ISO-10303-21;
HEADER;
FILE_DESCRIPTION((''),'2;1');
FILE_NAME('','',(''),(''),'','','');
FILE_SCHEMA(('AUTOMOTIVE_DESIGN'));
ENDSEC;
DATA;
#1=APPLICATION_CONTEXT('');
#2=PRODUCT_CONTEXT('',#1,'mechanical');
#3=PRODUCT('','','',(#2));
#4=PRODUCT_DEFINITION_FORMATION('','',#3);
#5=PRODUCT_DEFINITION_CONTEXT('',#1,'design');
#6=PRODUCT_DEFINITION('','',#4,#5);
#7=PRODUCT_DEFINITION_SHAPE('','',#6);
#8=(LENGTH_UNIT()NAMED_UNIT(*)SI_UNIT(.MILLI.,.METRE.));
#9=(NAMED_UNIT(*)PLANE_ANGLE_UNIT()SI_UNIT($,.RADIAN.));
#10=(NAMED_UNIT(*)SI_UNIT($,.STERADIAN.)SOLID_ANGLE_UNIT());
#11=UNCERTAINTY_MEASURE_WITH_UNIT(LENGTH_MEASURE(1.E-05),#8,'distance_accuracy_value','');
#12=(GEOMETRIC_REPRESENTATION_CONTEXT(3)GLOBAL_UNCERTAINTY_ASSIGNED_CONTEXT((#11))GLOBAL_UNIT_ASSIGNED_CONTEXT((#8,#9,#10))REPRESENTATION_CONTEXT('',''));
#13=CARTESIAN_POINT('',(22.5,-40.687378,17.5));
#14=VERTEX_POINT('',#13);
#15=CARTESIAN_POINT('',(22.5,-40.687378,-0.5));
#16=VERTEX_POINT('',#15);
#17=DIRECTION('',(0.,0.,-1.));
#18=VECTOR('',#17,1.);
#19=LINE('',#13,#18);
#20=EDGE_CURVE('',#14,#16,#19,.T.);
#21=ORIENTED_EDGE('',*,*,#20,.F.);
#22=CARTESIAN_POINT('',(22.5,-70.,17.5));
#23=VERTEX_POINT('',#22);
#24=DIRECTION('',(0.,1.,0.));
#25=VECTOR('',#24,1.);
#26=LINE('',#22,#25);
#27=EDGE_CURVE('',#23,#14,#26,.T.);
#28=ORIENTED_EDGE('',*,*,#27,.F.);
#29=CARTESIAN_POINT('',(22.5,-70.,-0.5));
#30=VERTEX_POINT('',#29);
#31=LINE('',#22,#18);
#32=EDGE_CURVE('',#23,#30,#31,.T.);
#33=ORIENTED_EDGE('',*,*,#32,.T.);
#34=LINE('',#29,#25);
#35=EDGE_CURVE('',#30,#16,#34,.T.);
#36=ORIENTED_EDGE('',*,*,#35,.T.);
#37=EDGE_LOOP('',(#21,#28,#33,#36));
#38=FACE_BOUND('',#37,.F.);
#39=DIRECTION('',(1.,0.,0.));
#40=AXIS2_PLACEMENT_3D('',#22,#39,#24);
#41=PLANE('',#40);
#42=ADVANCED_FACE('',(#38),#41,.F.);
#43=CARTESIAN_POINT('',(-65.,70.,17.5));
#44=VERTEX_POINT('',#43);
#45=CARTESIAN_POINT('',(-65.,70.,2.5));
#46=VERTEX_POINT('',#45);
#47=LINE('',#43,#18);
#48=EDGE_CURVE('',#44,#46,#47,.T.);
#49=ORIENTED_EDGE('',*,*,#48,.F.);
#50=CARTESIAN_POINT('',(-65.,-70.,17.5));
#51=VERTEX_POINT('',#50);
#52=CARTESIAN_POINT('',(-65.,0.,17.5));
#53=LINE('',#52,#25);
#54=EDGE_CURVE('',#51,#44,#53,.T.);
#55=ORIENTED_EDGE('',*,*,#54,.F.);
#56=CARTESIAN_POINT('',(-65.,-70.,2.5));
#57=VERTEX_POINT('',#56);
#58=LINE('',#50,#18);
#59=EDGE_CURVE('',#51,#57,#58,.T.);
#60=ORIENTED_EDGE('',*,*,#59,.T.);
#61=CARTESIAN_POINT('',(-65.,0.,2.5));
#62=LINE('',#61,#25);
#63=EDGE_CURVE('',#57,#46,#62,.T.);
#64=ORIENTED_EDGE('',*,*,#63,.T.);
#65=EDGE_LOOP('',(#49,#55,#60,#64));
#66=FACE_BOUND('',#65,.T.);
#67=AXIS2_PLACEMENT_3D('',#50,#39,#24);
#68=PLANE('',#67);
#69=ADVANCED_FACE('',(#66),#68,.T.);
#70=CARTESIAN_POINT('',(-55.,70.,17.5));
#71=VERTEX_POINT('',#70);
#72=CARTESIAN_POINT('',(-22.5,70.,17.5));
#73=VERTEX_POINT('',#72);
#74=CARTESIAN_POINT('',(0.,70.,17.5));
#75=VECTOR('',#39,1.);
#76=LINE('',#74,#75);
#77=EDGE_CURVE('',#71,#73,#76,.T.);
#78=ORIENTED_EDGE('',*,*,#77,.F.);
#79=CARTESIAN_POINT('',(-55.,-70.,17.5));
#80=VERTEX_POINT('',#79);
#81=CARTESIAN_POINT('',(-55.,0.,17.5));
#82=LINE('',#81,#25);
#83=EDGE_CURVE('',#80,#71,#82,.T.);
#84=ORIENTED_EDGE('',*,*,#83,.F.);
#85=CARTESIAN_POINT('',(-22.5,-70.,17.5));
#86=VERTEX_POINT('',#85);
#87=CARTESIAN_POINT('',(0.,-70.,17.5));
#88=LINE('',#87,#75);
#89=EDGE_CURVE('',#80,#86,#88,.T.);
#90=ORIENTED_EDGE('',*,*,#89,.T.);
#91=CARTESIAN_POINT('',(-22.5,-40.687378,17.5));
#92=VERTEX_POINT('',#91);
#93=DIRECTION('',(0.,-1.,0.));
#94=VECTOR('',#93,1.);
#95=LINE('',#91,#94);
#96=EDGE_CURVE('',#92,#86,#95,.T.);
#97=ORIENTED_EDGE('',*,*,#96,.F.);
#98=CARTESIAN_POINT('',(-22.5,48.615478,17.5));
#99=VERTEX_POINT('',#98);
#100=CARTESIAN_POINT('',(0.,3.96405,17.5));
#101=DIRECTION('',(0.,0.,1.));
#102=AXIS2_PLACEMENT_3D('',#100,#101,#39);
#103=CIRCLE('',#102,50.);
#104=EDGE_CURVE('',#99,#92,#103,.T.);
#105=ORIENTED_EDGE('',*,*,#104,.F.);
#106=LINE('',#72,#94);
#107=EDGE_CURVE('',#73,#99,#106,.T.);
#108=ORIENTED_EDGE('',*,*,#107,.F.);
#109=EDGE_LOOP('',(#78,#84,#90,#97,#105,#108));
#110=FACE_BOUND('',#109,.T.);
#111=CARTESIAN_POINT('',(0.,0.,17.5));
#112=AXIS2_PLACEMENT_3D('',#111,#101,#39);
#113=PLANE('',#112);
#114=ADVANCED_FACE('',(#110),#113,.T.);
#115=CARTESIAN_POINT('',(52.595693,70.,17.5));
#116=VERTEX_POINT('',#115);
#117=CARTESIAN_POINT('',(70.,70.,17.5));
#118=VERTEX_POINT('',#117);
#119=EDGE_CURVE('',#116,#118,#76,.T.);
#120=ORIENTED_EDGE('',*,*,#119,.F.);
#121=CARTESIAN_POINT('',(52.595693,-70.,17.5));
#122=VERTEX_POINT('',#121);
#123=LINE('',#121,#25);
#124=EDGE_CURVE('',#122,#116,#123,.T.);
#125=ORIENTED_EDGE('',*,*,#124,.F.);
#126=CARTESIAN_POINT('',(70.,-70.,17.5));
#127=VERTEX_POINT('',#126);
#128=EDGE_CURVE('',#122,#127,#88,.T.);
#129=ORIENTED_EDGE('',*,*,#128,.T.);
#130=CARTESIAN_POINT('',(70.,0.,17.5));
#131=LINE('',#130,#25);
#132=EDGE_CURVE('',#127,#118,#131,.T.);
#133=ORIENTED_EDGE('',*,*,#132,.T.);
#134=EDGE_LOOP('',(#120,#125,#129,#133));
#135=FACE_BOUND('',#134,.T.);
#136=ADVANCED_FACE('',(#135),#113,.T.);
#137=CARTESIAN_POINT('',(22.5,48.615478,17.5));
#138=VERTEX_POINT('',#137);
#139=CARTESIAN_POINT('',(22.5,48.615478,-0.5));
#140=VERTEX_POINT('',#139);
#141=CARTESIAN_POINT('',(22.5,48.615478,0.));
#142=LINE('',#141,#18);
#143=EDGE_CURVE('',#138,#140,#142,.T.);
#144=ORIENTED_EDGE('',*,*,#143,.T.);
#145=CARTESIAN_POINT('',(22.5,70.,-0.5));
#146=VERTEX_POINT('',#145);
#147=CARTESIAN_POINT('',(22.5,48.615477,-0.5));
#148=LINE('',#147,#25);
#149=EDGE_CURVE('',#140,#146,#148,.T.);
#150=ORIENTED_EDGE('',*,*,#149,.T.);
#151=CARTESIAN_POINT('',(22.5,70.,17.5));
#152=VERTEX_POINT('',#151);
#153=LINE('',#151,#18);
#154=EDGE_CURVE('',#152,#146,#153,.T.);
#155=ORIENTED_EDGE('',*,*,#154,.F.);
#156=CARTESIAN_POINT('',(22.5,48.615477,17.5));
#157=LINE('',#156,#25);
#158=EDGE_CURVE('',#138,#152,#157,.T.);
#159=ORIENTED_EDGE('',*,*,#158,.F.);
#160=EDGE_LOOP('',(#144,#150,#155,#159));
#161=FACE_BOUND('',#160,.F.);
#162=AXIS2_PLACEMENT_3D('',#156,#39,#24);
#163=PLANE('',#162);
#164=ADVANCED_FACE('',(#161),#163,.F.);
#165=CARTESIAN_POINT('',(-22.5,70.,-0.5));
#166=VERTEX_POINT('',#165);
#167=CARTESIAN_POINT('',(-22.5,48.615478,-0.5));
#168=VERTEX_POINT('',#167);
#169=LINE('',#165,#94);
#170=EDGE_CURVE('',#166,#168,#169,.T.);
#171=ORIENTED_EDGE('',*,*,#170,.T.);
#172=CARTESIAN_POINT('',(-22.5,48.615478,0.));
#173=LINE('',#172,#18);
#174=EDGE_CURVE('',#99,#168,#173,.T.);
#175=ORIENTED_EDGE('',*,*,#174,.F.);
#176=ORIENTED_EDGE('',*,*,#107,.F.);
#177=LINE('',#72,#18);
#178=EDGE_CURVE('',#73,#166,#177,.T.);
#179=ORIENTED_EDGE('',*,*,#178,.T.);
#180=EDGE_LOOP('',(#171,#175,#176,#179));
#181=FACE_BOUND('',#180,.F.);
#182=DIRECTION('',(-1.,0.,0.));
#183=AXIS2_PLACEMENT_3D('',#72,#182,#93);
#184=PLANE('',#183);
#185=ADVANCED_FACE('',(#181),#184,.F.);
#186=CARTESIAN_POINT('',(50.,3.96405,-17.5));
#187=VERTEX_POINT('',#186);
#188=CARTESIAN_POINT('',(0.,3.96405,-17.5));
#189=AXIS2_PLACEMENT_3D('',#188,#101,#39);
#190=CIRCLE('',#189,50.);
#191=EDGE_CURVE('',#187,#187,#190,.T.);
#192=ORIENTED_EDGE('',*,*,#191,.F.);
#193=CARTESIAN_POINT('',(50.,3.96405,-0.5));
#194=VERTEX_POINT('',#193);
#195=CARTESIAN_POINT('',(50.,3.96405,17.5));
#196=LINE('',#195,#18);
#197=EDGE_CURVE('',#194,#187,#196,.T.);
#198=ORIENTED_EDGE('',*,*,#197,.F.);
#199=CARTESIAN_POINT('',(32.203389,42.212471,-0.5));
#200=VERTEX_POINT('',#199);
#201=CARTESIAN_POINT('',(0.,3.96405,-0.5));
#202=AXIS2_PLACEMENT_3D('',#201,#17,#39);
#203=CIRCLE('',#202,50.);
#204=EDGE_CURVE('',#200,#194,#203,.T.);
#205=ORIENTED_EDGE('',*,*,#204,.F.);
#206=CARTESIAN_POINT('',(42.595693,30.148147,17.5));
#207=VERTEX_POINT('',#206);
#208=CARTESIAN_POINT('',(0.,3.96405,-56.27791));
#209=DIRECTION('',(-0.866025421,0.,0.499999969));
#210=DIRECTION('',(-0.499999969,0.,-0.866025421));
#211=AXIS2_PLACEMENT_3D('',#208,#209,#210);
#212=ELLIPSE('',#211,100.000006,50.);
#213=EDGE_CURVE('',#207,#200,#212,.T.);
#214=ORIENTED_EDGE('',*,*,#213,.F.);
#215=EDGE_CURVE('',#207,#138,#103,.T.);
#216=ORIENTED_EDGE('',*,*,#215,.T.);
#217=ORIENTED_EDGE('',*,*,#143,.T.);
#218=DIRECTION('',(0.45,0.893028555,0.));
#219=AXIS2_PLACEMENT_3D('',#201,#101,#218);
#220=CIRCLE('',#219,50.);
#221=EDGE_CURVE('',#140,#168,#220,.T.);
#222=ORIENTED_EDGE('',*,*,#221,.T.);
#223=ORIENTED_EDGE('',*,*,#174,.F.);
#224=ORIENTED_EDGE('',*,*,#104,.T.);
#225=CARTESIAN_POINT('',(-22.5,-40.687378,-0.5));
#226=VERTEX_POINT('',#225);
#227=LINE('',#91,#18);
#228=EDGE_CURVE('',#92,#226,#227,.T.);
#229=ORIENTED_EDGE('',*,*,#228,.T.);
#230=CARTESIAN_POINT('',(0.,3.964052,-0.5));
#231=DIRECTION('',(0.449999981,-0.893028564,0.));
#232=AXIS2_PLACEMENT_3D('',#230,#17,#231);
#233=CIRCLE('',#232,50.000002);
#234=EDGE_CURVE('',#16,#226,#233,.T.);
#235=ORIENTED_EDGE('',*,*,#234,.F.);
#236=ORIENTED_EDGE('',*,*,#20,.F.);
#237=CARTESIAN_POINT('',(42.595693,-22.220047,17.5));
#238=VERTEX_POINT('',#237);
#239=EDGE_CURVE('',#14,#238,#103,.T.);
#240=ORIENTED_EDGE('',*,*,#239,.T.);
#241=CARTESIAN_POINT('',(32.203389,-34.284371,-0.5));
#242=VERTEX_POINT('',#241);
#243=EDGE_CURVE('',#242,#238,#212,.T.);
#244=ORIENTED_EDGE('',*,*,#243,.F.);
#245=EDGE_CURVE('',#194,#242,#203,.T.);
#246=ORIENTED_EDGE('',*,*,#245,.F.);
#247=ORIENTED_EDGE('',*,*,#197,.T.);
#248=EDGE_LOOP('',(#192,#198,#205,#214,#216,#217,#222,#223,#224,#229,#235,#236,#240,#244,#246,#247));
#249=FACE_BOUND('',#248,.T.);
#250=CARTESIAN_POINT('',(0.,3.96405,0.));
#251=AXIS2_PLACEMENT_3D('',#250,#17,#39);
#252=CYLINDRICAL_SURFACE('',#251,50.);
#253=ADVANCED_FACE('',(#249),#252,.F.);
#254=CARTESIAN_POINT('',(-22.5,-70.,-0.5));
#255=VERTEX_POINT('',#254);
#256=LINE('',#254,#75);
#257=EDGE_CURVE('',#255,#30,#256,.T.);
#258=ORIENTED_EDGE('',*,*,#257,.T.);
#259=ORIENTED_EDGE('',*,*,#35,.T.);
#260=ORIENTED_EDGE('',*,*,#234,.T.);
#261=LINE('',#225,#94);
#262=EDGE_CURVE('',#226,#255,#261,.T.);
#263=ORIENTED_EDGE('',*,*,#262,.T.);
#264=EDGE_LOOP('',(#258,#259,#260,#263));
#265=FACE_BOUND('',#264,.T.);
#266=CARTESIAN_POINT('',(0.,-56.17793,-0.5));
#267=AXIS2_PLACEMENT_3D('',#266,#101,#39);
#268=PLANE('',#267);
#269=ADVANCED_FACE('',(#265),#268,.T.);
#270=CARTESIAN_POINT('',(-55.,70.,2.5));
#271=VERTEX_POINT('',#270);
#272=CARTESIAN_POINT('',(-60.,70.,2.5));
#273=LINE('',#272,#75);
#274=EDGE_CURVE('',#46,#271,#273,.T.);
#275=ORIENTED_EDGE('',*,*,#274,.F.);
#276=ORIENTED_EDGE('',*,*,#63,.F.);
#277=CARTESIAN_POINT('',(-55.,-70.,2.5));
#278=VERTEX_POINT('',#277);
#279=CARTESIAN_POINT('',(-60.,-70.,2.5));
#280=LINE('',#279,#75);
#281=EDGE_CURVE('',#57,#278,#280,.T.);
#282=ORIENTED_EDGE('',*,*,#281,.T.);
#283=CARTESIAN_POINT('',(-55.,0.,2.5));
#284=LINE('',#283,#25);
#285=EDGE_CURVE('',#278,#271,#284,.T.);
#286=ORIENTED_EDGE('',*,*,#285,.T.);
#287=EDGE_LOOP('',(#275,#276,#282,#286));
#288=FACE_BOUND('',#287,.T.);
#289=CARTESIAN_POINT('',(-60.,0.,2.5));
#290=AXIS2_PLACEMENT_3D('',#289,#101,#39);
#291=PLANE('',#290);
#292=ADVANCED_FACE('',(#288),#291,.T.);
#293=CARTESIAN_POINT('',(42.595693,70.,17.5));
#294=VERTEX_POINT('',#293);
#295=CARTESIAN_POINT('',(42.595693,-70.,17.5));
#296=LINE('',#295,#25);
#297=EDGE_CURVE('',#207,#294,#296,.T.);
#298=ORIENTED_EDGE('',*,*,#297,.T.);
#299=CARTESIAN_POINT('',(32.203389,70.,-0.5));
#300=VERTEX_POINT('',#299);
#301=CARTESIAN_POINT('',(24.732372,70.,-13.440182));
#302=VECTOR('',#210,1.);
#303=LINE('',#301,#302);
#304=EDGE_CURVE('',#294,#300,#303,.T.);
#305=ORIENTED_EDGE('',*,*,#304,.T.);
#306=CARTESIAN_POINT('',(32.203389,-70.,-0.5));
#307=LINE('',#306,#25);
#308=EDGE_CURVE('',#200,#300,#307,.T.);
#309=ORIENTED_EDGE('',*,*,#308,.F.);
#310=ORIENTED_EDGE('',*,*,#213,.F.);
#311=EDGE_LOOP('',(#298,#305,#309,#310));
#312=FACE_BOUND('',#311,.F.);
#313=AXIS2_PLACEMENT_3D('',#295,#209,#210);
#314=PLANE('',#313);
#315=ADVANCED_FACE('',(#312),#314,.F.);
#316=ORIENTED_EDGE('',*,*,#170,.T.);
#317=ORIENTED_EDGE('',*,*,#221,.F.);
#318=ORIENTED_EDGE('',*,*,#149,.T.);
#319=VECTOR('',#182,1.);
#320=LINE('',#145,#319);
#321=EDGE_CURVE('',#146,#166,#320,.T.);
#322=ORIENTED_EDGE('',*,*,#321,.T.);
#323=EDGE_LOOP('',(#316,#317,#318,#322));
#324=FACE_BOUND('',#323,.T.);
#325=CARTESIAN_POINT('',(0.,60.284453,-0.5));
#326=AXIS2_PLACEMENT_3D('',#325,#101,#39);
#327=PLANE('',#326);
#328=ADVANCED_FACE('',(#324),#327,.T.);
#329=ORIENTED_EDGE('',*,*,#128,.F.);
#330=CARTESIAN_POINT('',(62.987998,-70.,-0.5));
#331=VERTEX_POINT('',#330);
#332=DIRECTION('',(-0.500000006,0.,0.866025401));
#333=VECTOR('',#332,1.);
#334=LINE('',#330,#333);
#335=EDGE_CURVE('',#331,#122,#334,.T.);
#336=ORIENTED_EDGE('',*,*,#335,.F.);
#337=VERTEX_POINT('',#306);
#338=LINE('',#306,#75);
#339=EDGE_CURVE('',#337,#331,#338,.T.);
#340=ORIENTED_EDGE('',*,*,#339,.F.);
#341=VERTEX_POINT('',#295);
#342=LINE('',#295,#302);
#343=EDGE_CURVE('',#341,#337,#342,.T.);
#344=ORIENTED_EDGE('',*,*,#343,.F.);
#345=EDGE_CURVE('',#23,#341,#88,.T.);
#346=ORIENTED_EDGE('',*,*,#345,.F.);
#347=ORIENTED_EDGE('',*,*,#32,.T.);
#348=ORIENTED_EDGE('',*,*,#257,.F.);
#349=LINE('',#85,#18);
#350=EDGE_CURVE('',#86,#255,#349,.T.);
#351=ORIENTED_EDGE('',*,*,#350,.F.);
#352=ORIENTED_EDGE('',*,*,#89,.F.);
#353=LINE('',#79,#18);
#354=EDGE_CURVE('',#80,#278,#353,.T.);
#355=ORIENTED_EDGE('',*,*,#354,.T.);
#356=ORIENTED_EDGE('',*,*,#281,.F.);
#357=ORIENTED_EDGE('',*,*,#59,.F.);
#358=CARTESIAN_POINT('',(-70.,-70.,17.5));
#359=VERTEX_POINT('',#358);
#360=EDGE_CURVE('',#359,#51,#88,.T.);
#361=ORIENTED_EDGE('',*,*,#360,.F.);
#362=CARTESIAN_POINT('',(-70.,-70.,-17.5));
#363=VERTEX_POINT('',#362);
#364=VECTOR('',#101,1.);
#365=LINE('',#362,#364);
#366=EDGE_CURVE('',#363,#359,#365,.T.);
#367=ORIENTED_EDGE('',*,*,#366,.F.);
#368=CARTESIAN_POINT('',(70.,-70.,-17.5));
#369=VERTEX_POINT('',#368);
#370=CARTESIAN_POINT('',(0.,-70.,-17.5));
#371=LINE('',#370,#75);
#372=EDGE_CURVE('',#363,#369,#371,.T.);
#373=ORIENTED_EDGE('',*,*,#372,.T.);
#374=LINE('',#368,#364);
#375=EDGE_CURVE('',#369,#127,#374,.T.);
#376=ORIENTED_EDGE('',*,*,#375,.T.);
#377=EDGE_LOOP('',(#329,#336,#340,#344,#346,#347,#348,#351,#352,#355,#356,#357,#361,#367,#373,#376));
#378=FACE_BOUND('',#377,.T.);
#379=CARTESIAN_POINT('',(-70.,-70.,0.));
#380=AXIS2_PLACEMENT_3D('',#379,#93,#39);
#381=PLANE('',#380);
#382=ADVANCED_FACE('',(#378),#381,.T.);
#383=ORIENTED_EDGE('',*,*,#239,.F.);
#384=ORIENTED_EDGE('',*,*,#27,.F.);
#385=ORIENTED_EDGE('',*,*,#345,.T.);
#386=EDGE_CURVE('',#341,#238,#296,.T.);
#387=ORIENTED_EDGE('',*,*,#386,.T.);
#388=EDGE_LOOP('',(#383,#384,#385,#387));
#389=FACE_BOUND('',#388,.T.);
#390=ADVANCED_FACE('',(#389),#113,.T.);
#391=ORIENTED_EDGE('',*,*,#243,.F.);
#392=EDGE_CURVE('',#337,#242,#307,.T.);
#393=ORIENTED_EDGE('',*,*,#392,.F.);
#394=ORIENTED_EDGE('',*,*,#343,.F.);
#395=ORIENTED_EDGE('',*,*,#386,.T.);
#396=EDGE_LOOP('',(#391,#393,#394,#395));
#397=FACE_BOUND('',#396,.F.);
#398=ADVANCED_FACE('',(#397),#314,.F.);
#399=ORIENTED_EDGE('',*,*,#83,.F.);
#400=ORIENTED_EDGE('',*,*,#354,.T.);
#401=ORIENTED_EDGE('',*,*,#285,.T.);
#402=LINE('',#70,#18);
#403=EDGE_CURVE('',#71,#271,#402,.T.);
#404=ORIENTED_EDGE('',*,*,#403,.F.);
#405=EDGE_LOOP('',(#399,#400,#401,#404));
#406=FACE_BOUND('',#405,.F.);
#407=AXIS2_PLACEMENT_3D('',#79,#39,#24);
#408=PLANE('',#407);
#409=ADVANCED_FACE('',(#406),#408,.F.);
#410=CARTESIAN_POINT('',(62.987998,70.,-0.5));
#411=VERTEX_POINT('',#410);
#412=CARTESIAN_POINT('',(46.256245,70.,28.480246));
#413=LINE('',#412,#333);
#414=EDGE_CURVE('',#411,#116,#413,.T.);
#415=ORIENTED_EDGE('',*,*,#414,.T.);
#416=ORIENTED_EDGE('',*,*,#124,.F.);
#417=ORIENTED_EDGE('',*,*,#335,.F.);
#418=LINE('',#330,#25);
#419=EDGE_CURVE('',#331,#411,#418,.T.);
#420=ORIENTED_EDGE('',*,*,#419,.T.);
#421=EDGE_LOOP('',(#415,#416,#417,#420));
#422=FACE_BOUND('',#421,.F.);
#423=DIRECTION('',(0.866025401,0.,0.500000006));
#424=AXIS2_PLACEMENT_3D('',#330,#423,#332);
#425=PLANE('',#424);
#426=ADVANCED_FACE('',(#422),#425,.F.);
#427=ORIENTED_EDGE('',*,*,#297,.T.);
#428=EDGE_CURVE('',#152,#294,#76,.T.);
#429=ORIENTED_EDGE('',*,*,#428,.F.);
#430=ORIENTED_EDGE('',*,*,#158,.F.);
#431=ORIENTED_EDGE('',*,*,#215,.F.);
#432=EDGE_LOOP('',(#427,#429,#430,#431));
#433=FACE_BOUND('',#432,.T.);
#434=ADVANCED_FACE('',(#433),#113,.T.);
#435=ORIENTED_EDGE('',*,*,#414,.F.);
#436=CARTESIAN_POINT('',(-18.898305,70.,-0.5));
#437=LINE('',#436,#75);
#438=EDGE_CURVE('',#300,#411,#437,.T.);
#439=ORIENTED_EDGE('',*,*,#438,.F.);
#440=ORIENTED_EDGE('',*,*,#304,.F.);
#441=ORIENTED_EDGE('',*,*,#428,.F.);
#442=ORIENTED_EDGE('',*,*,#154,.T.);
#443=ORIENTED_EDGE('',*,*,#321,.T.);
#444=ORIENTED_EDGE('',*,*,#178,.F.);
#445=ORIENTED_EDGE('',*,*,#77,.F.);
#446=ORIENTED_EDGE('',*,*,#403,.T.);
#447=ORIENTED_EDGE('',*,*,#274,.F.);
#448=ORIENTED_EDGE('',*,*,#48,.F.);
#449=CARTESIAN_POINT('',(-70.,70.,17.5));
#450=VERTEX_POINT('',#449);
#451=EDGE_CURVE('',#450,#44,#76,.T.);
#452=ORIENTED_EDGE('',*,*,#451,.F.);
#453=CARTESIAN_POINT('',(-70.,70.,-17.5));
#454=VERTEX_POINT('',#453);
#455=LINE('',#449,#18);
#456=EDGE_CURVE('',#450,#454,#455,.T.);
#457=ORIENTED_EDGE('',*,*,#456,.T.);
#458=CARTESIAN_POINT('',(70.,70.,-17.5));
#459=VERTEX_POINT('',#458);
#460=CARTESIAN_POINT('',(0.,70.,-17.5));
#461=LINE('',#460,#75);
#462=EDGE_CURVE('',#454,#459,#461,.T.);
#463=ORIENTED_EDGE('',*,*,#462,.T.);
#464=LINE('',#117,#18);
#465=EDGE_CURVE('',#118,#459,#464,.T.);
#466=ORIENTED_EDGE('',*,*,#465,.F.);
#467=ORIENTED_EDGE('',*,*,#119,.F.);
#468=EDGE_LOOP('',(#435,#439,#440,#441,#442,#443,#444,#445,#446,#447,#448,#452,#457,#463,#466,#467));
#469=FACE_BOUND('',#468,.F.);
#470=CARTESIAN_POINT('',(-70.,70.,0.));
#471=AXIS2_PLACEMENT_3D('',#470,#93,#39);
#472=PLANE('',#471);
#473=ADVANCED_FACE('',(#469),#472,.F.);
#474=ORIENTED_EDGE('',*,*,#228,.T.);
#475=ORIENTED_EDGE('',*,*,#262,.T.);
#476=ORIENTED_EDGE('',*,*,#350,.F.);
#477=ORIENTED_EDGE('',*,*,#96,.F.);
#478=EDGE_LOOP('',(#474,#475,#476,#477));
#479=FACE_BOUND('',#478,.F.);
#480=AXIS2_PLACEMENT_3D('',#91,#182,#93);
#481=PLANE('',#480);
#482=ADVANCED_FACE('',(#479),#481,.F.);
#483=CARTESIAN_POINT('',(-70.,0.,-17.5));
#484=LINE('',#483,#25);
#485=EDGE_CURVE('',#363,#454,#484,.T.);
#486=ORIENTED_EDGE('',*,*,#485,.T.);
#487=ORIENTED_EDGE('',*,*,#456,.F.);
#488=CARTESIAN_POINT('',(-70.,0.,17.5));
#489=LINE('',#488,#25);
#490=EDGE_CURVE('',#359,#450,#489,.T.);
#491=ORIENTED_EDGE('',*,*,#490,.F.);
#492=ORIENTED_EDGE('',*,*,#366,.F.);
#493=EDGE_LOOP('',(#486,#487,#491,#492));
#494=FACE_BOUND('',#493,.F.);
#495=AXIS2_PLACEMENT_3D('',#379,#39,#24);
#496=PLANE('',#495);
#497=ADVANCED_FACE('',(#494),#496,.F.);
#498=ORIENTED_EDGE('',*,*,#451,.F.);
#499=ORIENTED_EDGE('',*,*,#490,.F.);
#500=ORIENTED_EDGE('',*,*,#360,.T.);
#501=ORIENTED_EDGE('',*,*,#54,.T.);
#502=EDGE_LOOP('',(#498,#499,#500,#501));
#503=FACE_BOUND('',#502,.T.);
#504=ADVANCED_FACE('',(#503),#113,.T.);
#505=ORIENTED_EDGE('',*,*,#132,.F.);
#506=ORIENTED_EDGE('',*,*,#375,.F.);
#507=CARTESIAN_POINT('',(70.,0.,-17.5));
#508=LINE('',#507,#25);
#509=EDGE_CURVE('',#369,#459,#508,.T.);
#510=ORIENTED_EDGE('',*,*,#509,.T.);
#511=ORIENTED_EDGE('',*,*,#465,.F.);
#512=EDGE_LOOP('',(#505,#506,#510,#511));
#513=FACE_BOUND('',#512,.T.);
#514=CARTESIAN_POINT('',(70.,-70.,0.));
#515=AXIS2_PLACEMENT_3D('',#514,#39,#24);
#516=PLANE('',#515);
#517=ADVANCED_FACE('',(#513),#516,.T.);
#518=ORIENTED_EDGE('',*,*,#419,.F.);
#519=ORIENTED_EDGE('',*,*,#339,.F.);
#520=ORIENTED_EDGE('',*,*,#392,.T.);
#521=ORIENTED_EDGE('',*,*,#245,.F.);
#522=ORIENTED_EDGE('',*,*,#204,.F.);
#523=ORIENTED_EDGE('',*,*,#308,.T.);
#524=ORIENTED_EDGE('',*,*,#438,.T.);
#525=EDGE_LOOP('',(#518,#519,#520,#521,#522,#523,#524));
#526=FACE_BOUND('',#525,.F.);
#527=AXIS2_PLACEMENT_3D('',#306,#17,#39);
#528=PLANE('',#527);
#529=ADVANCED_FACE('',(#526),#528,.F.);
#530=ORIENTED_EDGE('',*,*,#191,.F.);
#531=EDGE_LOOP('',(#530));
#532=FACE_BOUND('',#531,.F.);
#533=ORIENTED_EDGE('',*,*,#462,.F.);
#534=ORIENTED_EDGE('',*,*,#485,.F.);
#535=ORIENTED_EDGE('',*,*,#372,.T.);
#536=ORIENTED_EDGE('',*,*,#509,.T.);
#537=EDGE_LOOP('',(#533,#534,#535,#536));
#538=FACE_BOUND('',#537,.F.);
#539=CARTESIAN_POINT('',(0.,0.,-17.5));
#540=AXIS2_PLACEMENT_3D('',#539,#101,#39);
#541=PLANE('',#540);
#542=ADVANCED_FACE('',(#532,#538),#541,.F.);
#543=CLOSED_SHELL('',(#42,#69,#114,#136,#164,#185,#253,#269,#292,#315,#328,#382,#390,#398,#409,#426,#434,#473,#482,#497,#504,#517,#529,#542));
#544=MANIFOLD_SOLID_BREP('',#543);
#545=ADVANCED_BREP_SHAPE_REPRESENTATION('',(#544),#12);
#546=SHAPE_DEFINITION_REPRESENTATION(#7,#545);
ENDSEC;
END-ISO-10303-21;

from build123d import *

# Parameters (mm, degrees)
F0_W     = 140
F0_H     = 140
F0_R     = 50
F1_DEPTH = 17.5
F2_W     = 10
F2_H     = 140
F3_DEPTH = 15
F5_DEPTH = 18
F7_DEPTH = 172.6


with BuildPart() as f1:
    # F0 (on Top) → F1 (new body, symmetric)
    with BuildSketch(Plane.XY):
        Rectangle(F0_W, F0_H)
        with Locations((0, 3.96405)):
            Circle(F0_R, mode=Mode.SUBTRACT)
    extrude(amount=F1_DEPTH, both=True)

    # F2 (on face) → F3 (cut)
    with BuildSketch(Plane.XY.offset(17.5)):
        with Locations((-60, 0)):
            Rectangle(F2_W, F2_H)
    extrude(amount=-F3_DEPTH, mode=Mode.SUBTRACT)

    # F4 (on face) → F5 (cut)
    with BuildSketch(Plane.XY.offset(17.5)):
        with BuildLine():
            Line((22.5, -70), (22.5, -40.687378))
            ThreePointArc((22.5, -40.687378), (0, -46.03595), (-22.5, -40.687378))
            Line((-22.5, -40.687378), (-22.5, -70))
            Line((-22.5, -70), (22.5, -70))
        make_face()
        with BuildLine():
            Line((22.5, 48.615477), (22.5, 70))
            Line((22.5, 70), (-22.5, 70))
            Line((-22.5, 70), (-22.5, 48.615477))
            ThreePointArc((-22.5, 48.615477), (0, 53.96405), (22.5, 48.615477))
        make_face()
    extrude(amount=-F5_DEPTH, mode=Mode.SUBTRACT)

    # F6 (on face) → F7 (cut)
    with BuildSketch(Plane.XZ.offset(70)):
        Polygon((52.595693, 17.5), (42.595693, 17.5), (32.203389, -0.5), (62.987998, -0.5), align=None)
    extrude(amount=-F7_DEPTH, mode=Mode.SUBTRACT)


solid = f1.part
